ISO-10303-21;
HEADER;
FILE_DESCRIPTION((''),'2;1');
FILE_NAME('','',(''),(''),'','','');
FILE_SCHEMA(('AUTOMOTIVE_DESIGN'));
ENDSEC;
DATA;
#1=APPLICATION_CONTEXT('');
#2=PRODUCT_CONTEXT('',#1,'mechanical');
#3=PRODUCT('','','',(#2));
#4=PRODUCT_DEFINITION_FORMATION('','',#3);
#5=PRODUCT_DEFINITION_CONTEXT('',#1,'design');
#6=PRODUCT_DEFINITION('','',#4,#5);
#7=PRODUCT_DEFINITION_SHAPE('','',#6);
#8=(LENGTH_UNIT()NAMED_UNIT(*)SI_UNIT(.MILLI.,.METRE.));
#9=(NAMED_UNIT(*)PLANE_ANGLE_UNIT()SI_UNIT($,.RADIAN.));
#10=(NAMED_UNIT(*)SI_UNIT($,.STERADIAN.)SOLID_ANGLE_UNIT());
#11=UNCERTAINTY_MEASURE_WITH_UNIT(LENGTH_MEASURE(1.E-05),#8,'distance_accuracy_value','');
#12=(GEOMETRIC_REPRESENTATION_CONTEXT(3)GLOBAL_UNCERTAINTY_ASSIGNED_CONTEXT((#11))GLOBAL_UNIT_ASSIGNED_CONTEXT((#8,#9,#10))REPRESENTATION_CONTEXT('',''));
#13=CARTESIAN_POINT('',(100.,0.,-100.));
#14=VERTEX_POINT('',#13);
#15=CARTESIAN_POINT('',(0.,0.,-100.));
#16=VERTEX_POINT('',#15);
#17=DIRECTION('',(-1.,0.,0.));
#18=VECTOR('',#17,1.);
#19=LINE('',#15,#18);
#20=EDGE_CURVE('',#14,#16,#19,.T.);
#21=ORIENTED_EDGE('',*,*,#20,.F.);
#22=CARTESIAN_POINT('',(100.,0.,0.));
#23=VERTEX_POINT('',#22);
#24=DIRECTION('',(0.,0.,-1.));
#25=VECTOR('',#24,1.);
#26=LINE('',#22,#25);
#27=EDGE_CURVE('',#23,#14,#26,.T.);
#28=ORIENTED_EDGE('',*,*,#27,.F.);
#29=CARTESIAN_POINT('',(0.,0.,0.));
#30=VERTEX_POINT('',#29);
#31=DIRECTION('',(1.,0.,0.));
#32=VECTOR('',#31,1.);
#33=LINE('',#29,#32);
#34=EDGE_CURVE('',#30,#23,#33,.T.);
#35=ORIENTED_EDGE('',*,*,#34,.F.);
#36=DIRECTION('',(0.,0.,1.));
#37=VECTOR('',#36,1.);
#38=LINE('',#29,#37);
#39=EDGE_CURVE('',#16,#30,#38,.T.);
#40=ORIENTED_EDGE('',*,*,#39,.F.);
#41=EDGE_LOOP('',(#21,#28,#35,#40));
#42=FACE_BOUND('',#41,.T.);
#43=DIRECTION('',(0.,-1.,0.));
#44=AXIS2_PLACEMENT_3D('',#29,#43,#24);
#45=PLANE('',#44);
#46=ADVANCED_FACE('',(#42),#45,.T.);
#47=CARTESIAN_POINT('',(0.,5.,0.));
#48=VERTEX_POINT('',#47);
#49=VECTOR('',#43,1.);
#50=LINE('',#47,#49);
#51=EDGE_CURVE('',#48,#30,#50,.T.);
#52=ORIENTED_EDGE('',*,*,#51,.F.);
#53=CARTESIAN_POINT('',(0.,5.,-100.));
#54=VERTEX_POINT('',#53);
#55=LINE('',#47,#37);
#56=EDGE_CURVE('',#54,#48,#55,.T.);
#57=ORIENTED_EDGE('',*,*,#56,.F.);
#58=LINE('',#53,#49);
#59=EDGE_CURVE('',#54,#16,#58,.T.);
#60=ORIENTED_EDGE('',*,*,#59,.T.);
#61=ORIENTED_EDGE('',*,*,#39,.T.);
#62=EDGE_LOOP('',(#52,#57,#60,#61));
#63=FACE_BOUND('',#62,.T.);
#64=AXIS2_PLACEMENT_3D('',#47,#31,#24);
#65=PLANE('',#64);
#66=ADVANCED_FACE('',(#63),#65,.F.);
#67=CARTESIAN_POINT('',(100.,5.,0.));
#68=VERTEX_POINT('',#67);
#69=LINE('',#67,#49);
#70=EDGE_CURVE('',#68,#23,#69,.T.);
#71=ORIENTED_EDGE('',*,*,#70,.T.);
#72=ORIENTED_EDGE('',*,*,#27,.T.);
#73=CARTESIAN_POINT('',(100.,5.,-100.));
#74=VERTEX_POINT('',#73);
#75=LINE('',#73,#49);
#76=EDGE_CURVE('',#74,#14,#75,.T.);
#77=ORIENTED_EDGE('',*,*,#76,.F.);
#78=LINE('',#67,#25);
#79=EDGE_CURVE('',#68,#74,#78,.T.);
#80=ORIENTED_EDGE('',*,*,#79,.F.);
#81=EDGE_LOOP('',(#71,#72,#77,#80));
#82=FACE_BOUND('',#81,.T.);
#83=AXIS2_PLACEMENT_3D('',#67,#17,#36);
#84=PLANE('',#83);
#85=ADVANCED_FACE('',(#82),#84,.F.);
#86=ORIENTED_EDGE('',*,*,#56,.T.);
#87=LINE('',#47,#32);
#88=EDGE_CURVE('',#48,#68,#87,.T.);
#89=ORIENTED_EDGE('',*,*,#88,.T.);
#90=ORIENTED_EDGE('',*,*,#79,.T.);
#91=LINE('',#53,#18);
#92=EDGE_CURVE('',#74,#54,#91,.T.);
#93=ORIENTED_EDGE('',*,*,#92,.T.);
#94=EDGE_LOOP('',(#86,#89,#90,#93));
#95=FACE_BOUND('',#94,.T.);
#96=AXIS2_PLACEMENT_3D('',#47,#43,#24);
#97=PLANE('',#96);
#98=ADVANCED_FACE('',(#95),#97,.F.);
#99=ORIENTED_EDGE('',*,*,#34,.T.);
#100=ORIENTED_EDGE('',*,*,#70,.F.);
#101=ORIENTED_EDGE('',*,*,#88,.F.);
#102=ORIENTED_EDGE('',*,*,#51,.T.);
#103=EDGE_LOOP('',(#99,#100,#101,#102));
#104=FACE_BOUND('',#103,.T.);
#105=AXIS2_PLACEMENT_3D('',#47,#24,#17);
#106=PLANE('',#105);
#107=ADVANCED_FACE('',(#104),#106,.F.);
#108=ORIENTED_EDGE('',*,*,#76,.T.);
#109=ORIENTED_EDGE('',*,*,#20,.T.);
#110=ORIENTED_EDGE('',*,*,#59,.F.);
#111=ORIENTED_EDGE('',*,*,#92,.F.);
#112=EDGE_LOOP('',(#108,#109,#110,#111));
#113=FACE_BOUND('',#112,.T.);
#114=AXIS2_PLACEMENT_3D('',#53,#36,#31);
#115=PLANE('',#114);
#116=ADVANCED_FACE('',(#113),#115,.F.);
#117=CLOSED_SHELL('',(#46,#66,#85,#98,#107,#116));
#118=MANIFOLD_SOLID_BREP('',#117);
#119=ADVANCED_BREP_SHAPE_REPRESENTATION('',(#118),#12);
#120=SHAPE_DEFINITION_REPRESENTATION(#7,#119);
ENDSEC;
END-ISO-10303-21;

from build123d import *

# Parameters (mm, degrees)
SKETCH1_W           = 100
SKETCH1_H           = 100
BOSS_EXTRUDE1_DEPTH = 5


with BuildPart() as part:
    # Sketch1 → Boss-Extrude1 (new body)
    with BuildSketch(Plane(origin=(0, 0, 0), x_dir=(1, 0, 0), z_dir=(0, 1, 0))):
        with Locations((50, 50)):
            Rectangle(SKETCH1_W, SKETCH1_H)
    extrude(amount=BOSS_EXTRUDE1_DEPTH)


solid = part.part
